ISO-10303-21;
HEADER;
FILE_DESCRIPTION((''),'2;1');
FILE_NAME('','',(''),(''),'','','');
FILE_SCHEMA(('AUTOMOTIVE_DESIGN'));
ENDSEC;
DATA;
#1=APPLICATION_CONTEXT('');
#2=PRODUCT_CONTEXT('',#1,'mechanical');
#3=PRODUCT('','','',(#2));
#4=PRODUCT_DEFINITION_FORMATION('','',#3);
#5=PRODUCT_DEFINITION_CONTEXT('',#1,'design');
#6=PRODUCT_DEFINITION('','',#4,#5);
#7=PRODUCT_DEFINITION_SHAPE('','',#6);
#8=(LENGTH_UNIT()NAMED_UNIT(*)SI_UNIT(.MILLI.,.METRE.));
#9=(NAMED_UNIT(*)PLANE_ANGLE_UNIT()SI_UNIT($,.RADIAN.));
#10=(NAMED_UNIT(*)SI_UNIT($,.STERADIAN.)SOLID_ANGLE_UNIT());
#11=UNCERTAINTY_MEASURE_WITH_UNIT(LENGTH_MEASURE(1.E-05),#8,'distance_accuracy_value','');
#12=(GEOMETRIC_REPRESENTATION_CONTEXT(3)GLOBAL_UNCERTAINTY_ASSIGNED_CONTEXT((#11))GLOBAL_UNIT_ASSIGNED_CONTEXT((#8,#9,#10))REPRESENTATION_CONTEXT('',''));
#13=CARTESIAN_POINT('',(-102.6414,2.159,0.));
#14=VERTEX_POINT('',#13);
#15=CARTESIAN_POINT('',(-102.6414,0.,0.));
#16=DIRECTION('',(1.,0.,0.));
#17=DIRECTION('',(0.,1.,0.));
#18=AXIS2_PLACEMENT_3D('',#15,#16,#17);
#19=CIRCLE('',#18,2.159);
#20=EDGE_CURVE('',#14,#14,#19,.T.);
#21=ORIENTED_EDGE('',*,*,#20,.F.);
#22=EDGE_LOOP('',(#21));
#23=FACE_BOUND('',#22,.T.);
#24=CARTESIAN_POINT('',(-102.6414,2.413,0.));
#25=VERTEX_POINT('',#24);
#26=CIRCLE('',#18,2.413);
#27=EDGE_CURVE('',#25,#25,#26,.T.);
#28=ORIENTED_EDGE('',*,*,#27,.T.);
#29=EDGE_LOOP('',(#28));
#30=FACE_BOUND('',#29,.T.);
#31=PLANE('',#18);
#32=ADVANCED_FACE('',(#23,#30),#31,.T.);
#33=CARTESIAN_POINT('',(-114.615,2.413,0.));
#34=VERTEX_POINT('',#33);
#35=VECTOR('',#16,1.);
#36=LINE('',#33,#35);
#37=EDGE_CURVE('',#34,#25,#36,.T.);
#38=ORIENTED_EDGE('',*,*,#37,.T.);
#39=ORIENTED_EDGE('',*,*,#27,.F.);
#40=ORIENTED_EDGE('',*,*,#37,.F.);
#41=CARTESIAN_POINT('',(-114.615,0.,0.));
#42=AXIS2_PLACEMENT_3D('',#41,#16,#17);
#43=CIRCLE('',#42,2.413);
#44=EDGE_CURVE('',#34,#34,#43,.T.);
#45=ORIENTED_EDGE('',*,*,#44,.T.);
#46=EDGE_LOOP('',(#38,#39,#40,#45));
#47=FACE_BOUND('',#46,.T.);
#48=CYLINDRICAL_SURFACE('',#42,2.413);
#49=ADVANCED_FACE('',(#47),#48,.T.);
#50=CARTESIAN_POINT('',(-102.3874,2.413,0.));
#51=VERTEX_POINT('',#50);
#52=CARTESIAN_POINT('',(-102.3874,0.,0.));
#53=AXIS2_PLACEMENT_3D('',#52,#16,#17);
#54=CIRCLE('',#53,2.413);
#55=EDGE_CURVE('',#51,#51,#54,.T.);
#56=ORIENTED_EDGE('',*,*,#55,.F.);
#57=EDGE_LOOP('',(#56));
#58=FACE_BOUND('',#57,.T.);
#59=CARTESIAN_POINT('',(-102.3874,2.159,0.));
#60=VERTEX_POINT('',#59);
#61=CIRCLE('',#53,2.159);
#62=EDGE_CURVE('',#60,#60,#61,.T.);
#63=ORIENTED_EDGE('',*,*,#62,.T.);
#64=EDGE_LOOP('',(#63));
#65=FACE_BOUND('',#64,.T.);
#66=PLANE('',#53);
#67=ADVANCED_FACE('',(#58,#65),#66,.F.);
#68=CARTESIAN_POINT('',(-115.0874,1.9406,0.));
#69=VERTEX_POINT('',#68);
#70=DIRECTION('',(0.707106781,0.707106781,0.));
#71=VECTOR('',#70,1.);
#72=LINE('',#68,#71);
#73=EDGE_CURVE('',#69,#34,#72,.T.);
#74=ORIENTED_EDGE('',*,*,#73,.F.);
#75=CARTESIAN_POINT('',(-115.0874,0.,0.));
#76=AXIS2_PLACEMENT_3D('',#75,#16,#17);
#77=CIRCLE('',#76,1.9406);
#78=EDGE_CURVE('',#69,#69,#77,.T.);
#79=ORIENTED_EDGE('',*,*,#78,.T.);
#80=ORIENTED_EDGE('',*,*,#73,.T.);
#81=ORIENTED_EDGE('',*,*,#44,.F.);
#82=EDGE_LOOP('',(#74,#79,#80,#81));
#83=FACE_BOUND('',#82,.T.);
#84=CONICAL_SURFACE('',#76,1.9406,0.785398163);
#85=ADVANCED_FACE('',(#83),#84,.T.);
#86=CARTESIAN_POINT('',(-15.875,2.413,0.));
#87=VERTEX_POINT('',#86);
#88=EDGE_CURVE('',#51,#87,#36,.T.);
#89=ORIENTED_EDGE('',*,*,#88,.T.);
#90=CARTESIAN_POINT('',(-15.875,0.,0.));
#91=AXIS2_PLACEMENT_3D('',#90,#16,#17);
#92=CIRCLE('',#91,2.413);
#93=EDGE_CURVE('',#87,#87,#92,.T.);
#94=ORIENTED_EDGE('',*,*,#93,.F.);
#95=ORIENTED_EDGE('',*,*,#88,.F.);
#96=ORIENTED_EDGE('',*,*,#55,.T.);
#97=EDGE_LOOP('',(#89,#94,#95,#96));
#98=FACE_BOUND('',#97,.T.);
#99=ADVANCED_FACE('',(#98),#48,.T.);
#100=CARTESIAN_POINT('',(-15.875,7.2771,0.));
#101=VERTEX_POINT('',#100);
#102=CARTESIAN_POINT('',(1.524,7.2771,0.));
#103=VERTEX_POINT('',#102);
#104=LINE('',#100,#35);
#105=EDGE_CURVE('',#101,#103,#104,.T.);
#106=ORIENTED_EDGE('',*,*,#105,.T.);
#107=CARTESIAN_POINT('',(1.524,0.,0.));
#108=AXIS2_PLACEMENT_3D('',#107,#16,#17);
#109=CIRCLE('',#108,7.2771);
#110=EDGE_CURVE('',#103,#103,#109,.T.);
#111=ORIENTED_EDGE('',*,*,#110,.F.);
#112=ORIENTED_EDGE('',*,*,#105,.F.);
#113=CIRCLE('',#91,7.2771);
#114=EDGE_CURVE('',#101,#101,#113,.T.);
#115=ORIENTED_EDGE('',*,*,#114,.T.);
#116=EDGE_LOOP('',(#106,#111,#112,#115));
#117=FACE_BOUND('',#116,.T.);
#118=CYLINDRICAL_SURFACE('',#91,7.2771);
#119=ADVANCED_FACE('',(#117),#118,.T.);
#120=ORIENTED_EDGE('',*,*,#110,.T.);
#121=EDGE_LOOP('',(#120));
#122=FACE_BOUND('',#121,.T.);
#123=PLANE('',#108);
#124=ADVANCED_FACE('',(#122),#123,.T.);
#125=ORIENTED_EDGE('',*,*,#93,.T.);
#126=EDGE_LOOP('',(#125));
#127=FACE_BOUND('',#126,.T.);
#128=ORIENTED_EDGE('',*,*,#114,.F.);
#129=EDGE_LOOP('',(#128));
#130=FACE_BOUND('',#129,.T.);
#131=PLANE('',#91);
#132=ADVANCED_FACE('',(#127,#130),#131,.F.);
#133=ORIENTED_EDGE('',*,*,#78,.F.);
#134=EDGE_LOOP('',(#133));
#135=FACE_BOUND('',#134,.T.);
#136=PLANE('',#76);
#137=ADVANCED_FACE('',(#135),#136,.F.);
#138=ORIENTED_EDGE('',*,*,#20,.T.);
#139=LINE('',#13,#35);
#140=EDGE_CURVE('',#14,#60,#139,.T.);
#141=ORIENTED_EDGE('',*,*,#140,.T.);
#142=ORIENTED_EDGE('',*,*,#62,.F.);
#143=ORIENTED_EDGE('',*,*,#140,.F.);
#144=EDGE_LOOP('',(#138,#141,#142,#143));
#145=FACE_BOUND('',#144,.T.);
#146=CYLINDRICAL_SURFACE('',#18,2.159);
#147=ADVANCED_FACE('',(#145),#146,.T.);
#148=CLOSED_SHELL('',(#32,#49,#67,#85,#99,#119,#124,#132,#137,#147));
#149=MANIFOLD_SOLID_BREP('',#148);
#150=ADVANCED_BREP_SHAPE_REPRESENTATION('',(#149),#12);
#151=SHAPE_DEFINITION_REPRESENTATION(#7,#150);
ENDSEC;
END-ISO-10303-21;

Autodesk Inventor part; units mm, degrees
sketch "Sketch_3" plane through (0, 0, 0) normal (0, 0, 1) x (1, 0, 0)
  line L0 (0, 0) -> (-115.0874, 0)
  line L1 (-115.0874, 0) -> (-115.0874, 1.9406)
  line L2 (-115.0874, 1.9406) -> (-114.615, 2.413)
  line L3 (-114.615, 2.413) -> (0, 2.413)
  line L4 (0, 2.413) -> (0, 0)
  line L5 (0, 0) -> (-115.0874, 0)
revolve "Revolution1" add sketch "Sketch_3" angle 360 about axis through (0, 0, 0) along (1, 0, 0)
thread "Thread1" size "10-32 UNF" class "2A" standard "ANSI Unified Screw Threads" length 12.446 offset 102.6414
sketch "Sketch_17" plane through (0, 0, 0) normal (0, 0, 1) x (1, 0, 0)
  line L0 (115.0874, 0) -> (-115.0874, 0)
  line L1 (-102.6414, 2.413) -> (-102.6414, 2.159)
  line L2 (-102.6414, 2.159) -> (-102.3874, 2.159)
  line L3 (-102.3874, 2.159) -> (-102.3874, 2.413)
  line L4 (-102.3874, 2.413) -> (-102.6414, 2.413)
revolve "Revolution2" cut sketch "Sketch_17" angle 360 about axis through (115.0874, 0, 0) along (1, 0, 0)
sketch "Sketch_12" plane through (0, 0, 0) normal (0, 0, 1) x (1, 0, 0)
  line L0 (1.524, 0) -> (-15.875, 0)
  line L1 (-15.875, 0) -> (-15.875, 7.2771)
  line L2 (-15.875, 7.2771) -> (1.524, 7.2771)
  line L3 (1.524, 7.2771) -> (1.524, 0)
  line L4 (1.524, 0) -> (-15.875, 0)
revolve "Revolution3" add sketch "Sketch_12" angle 360 about axis through (1.524, 0, 0) along (1, 0, 0)
ref_plane "h1_XY" through (-115.0874, 0, 0) normal (0, 1, 0) x (1, 0, 0)
ref_plane "h1_YZ" through (-115.0874, 0, 0) normal (1, 0, 0) x (0, 0, -1)
ref_plane "h1_ZX" through (-115.0874, 0, 0) normal (0, 0, -1) x (0, 1, 0)
ref_plane "h2_XY" through (-102.3874, 0, 0) normal (0, 1, 0) x (1, 0, 0)
ref_plane "h2_YZ" through (-102.3874, 0, 0) normal (1, 0, 0) x (0, 0, -1)
ref_plane "h2_ZX" through (-102.3874, 0, 0) normal (0, 0, -1) x (0, 1, 0)
ref_plane "k1_XY" through (-115.0874, 0, -2.413) normal (0, 1, 0) x (1, 0, 0)
ref_plane "k1_YZ" through (-115.0874, 0, -2.413) normal (1, 0, 0) x (0, 0, -1)
ref_plane "k1_ZX" through (-115.0874, 0, -2.413) normal (0, 0, -1) x (0, 1, 0)
ref_plane "k2_XY" through (-115.0874, 0, 2.413) normal (0, 1, 0) x (1, 0, 0)
ref_plane "k2_YZ" through (-115.0874, 0, 2.413) normal (1, 0, 0) x (0, 0, -1)
ref_plane "k2_ZX" through (-115.0874, 0, 2.413) normal (0, 0, -1) x (0, 1, 0)
ref_plane "start_XY" through (-102.3874, 0, 0) normal (0, 1, 0) x (1, 0, 0)
ref_plane "start_YZ" through (-102.3874, 0, 0) normal (1, 0, 0) x (0, 0, -1)
ref_plane "start_ZX" through (-102.3874, 0, 0) normal (0, 0, -1) x (0, 1, 0)
ref_plane "to_prc_XY" through (-102.3874, 0, 0) normal (1, 0, 0) x (0, 0, -1)
ref_plane "to_prc_YZ" through (-102.3874, 0, 0) normal (0, 0, -1) x (0, 1, 0)
ref_plane "to_prc_ZX" through (-102.3874, 0, 0) normal (0, 1, 0) x (1, 0, 0)
ref_plane "to_rod_guide_XY" through (-115.0874, 0, 0) normal (1, 0, 0) x (0, 0, -1)
ref_plane "to_rod_guide_YZ" through (-115.0874, 0, 0) normal (0, 0, -1) x (0, 1, 0)
ref_plane "to_rod_guide_ZX" through (-115.0874, 0, 0) normal (0, 1, 0) x (1, 0, 0)
properties part number "D-75080.25-2XP-4.531-3pos"
